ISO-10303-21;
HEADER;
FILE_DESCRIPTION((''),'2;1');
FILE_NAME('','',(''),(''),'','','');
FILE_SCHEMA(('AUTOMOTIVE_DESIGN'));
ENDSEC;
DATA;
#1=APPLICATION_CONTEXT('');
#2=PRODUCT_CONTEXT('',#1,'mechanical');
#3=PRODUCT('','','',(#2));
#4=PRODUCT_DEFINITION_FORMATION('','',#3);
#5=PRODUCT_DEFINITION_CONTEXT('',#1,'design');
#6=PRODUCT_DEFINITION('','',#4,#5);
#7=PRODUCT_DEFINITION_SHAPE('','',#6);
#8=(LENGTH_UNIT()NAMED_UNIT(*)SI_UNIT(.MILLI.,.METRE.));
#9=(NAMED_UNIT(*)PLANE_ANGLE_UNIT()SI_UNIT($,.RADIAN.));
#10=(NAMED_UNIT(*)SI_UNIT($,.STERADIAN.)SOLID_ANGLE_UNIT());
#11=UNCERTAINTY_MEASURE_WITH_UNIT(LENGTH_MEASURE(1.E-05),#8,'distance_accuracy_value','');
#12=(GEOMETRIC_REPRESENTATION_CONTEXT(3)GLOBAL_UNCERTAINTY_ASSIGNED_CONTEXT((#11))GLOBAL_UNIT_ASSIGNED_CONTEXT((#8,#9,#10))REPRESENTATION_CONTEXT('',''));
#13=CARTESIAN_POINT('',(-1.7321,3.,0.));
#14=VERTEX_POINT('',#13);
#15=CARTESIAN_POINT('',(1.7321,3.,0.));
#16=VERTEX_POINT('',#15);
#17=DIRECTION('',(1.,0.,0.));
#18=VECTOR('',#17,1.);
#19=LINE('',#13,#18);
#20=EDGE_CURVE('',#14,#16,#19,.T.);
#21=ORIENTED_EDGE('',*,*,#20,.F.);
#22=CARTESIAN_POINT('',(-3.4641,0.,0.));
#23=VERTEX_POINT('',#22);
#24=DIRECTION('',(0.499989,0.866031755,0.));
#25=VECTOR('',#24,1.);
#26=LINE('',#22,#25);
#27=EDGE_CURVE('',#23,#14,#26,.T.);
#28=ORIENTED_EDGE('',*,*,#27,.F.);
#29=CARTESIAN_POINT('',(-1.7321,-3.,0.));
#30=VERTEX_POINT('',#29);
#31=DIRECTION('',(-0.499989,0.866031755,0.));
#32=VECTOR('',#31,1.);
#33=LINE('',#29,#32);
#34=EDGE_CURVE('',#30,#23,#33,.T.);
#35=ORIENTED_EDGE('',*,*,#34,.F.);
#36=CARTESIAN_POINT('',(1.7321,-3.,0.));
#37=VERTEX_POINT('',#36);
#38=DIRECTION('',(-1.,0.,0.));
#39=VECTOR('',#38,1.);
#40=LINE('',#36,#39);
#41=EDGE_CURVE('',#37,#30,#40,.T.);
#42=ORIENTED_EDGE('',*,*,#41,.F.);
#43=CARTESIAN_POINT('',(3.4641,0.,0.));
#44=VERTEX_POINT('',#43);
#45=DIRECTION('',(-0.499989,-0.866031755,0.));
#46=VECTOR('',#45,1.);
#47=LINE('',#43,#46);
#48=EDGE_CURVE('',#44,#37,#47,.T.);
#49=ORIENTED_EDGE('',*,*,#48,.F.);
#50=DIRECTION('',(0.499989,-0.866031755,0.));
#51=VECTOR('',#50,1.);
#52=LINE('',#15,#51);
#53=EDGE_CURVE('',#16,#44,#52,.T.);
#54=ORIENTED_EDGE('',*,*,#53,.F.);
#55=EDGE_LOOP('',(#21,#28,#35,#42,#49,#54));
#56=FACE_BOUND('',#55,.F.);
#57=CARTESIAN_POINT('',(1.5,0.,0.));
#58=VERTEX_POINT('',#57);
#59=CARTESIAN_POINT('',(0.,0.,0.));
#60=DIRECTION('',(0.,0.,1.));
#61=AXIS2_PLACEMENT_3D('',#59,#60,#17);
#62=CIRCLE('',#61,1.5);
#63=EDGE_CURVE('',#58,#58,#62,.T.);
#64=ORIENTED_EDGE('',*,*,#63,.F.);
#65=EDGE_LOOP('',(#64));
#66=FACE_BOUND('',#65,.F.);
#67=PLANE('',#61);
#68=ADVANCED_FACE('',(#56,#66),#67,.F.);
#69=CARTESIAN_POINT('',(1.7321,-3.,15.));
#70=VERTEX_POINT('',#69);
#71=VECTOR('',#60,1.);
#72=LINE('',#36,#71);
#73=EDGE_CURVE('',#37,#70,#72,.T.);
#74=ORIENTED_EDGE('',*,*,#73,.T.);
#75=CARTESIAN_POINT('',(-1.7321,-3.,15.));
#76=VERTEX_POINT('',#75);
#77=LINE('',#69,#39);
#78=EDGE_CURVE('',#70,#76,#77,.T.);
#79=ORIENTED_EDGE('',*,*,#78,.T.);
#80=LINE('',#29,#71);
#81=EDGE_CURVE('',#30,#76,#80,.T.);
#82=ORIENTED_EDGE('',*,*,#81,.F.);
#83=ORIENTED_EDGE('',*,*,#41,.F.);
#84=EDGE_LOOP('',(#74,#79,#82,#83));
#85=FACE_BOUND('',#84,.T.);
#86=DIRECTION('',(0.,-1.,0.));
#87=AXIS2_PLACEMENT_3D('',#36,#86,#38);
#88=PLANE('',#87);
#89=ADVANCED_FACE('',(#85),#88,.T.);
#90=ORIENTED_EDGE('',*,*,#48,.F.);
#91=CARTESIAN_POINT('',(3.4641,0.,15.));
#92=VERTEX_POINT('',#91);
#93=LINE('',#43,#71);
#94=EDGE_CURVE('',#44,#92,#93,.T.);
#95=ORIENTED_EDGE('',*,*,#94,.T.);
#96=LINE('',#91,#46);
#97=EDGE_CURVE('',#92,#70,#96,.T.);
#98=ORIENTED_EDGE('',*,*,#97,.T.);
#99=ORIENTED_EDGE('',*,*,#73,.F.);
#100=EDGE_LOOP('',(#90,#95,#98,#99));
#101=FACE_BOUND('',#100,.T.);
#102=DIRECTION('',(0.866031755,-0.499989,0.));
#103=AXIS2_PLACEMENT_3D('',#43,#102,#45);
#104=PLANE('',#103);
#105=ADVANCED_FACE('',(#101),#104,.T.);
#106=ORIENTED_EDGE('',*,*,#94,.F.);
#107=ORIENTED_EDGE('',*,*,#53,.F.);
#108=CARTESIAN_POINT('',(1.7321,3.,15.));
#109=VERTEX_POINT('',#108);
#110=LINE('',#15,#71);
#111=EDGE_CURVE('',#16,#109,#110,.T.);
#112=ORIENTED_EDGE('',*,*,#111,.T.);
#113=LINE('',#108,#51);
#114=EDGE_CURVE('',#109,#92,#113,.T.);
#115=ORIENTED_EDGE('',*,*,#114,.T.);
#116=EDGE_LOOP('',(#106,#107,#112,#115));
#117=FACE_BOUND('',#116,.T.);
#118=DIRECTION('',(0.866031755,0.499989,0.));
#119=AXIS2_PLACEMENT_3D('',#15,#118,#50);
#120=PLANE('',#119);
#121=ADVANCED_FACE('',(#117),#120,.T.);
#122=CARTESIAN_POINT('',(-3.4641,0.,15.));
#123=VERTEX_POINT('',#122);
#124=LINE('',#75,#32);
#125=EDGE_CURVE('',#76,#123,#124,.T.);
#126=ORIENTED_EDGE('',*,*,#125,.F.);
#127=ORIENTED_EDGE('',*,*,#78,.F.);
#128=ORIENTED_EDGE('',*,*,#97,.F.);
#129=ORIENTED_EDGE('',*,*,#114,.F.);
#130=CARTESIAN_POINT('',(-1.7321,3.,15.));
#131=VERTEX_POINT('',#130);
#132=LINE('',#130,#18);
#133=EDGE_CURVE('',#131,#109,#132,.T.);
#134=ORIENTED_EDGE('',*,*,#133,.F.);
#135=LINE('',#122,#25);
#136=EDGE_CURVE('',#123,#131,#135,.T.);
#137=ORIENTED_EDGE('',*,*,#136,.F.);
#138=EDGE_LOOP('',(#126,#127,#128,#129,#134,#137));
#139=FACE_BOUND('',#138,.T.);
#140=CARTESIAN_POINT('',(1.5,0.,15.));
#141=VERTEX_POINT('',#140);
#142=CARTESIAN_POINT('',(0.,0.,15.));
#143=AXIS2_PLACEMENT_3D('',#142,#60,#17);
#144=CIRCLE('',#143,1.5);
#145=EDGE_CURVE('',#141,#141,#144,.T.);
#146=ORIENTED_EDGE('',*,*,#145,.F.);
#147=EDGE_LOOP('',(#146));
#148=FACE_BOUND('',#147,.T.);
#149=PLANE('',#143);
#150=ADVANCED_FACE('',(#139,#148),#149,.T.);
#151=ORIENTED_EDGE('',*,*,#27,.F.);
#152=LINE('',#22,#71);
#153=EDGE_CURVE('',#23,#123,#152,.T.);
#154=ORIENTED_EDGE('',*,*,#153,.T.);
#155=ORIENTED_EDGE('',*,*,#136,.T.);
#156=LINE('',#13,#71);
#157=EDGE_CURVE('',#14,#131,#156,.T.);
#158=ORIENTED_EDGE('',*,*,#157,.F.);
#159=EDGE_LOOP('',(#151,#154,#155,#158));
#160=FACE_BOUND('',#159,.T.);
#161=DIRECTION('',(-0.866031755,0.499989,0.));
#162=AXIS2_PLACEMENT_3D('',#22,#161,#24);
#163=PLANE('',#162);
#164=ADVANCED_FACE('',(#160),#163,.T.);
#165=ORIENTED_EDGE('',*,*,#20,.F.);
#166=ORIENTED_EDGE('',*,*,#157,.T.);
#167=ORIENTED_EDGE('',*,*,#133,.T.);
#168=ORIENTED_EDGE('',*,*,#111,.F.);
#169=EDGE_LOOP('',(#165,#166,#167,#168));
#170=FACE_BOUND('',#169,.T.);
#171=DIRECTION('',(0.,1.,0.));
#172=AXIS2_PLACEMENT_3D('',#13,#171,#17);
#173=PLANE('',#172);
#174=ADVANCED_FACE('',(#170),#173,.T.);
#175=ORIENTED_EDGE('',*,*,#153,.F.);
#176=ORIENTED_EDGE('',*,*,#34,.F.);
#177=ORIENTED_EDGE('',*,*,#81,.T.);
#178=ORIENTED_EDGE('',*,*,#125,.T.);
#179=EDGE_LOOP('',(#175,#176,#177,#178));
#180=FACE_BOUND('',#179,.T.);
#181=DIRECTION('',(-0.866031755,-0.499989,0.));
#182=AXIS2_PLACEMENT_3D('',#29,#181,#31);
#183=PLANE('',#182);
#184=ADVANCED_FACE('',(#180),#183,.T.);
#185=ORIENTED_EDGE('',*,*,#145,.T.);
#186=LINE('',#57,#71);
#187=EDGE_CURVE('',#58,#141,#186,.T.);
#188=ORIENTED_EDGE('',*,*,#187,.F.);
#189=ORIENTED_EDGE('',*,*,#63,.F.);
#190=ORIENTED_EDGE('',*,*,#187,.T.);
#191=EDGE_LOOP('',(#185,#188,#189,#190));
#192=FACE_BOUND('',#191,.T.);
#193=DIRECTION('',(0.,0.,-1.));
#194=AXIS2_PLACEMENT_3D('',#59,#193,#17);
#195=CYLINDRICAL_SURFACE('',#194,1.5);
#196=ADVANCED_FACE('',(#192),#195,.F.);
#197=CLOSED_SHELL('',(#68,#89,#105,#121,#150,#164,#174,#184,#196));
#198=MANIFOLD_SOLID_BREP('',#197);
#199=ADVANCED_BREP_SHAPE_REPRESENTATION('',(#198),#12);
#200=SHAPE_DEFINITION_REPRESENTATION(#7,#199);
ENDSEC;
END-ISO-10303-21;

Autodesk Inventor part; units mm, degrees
ref_plane "YZ Plane" through (0, 0, 0) normal (1, 0, 0) x (0, 1, 0)
ref_plane "XZ Plane" through (0, 0, 0) normal (0, 1, 0) x (-1, 0, 0)
ref_plane "XY Plane" through (0, 0, 0) normal (0, 0, 1) x (1, 0, 0)
sketch "Sketch2" plane through (0, 0, 0) normal (0, 0, 1) x (1, 0, 0)
  line L0 (-1.7321, 3) -> (1.7321, 3)
  line L1 (1.7321, 3) -> (3.4641, 0)
  line L2 (3.4641, 0) -> (1.7321, -3)
  line L3 (1.7321, -3) -> (-1.7321, -3)
  line L4 (-1.7321, -3) -> (-3.4641, 0)
  line L5 (-3.4641, 0) -> (-1.7321, 3)
  line L6 (-4.8497, 0) -> (4.8497, 0) construction
  circle A0 centre (0, 0) radius 1.5
  dimension "d0" = 6
  dimension "d3" = 3
extrude "Extrusion1" add sketch "Sketch2" along normal blind 15
thread "Thread1" size "M3x0.5" class "6H" standard "ISO Metric profile" full length
properties part number "P043_entretoise15par3"
